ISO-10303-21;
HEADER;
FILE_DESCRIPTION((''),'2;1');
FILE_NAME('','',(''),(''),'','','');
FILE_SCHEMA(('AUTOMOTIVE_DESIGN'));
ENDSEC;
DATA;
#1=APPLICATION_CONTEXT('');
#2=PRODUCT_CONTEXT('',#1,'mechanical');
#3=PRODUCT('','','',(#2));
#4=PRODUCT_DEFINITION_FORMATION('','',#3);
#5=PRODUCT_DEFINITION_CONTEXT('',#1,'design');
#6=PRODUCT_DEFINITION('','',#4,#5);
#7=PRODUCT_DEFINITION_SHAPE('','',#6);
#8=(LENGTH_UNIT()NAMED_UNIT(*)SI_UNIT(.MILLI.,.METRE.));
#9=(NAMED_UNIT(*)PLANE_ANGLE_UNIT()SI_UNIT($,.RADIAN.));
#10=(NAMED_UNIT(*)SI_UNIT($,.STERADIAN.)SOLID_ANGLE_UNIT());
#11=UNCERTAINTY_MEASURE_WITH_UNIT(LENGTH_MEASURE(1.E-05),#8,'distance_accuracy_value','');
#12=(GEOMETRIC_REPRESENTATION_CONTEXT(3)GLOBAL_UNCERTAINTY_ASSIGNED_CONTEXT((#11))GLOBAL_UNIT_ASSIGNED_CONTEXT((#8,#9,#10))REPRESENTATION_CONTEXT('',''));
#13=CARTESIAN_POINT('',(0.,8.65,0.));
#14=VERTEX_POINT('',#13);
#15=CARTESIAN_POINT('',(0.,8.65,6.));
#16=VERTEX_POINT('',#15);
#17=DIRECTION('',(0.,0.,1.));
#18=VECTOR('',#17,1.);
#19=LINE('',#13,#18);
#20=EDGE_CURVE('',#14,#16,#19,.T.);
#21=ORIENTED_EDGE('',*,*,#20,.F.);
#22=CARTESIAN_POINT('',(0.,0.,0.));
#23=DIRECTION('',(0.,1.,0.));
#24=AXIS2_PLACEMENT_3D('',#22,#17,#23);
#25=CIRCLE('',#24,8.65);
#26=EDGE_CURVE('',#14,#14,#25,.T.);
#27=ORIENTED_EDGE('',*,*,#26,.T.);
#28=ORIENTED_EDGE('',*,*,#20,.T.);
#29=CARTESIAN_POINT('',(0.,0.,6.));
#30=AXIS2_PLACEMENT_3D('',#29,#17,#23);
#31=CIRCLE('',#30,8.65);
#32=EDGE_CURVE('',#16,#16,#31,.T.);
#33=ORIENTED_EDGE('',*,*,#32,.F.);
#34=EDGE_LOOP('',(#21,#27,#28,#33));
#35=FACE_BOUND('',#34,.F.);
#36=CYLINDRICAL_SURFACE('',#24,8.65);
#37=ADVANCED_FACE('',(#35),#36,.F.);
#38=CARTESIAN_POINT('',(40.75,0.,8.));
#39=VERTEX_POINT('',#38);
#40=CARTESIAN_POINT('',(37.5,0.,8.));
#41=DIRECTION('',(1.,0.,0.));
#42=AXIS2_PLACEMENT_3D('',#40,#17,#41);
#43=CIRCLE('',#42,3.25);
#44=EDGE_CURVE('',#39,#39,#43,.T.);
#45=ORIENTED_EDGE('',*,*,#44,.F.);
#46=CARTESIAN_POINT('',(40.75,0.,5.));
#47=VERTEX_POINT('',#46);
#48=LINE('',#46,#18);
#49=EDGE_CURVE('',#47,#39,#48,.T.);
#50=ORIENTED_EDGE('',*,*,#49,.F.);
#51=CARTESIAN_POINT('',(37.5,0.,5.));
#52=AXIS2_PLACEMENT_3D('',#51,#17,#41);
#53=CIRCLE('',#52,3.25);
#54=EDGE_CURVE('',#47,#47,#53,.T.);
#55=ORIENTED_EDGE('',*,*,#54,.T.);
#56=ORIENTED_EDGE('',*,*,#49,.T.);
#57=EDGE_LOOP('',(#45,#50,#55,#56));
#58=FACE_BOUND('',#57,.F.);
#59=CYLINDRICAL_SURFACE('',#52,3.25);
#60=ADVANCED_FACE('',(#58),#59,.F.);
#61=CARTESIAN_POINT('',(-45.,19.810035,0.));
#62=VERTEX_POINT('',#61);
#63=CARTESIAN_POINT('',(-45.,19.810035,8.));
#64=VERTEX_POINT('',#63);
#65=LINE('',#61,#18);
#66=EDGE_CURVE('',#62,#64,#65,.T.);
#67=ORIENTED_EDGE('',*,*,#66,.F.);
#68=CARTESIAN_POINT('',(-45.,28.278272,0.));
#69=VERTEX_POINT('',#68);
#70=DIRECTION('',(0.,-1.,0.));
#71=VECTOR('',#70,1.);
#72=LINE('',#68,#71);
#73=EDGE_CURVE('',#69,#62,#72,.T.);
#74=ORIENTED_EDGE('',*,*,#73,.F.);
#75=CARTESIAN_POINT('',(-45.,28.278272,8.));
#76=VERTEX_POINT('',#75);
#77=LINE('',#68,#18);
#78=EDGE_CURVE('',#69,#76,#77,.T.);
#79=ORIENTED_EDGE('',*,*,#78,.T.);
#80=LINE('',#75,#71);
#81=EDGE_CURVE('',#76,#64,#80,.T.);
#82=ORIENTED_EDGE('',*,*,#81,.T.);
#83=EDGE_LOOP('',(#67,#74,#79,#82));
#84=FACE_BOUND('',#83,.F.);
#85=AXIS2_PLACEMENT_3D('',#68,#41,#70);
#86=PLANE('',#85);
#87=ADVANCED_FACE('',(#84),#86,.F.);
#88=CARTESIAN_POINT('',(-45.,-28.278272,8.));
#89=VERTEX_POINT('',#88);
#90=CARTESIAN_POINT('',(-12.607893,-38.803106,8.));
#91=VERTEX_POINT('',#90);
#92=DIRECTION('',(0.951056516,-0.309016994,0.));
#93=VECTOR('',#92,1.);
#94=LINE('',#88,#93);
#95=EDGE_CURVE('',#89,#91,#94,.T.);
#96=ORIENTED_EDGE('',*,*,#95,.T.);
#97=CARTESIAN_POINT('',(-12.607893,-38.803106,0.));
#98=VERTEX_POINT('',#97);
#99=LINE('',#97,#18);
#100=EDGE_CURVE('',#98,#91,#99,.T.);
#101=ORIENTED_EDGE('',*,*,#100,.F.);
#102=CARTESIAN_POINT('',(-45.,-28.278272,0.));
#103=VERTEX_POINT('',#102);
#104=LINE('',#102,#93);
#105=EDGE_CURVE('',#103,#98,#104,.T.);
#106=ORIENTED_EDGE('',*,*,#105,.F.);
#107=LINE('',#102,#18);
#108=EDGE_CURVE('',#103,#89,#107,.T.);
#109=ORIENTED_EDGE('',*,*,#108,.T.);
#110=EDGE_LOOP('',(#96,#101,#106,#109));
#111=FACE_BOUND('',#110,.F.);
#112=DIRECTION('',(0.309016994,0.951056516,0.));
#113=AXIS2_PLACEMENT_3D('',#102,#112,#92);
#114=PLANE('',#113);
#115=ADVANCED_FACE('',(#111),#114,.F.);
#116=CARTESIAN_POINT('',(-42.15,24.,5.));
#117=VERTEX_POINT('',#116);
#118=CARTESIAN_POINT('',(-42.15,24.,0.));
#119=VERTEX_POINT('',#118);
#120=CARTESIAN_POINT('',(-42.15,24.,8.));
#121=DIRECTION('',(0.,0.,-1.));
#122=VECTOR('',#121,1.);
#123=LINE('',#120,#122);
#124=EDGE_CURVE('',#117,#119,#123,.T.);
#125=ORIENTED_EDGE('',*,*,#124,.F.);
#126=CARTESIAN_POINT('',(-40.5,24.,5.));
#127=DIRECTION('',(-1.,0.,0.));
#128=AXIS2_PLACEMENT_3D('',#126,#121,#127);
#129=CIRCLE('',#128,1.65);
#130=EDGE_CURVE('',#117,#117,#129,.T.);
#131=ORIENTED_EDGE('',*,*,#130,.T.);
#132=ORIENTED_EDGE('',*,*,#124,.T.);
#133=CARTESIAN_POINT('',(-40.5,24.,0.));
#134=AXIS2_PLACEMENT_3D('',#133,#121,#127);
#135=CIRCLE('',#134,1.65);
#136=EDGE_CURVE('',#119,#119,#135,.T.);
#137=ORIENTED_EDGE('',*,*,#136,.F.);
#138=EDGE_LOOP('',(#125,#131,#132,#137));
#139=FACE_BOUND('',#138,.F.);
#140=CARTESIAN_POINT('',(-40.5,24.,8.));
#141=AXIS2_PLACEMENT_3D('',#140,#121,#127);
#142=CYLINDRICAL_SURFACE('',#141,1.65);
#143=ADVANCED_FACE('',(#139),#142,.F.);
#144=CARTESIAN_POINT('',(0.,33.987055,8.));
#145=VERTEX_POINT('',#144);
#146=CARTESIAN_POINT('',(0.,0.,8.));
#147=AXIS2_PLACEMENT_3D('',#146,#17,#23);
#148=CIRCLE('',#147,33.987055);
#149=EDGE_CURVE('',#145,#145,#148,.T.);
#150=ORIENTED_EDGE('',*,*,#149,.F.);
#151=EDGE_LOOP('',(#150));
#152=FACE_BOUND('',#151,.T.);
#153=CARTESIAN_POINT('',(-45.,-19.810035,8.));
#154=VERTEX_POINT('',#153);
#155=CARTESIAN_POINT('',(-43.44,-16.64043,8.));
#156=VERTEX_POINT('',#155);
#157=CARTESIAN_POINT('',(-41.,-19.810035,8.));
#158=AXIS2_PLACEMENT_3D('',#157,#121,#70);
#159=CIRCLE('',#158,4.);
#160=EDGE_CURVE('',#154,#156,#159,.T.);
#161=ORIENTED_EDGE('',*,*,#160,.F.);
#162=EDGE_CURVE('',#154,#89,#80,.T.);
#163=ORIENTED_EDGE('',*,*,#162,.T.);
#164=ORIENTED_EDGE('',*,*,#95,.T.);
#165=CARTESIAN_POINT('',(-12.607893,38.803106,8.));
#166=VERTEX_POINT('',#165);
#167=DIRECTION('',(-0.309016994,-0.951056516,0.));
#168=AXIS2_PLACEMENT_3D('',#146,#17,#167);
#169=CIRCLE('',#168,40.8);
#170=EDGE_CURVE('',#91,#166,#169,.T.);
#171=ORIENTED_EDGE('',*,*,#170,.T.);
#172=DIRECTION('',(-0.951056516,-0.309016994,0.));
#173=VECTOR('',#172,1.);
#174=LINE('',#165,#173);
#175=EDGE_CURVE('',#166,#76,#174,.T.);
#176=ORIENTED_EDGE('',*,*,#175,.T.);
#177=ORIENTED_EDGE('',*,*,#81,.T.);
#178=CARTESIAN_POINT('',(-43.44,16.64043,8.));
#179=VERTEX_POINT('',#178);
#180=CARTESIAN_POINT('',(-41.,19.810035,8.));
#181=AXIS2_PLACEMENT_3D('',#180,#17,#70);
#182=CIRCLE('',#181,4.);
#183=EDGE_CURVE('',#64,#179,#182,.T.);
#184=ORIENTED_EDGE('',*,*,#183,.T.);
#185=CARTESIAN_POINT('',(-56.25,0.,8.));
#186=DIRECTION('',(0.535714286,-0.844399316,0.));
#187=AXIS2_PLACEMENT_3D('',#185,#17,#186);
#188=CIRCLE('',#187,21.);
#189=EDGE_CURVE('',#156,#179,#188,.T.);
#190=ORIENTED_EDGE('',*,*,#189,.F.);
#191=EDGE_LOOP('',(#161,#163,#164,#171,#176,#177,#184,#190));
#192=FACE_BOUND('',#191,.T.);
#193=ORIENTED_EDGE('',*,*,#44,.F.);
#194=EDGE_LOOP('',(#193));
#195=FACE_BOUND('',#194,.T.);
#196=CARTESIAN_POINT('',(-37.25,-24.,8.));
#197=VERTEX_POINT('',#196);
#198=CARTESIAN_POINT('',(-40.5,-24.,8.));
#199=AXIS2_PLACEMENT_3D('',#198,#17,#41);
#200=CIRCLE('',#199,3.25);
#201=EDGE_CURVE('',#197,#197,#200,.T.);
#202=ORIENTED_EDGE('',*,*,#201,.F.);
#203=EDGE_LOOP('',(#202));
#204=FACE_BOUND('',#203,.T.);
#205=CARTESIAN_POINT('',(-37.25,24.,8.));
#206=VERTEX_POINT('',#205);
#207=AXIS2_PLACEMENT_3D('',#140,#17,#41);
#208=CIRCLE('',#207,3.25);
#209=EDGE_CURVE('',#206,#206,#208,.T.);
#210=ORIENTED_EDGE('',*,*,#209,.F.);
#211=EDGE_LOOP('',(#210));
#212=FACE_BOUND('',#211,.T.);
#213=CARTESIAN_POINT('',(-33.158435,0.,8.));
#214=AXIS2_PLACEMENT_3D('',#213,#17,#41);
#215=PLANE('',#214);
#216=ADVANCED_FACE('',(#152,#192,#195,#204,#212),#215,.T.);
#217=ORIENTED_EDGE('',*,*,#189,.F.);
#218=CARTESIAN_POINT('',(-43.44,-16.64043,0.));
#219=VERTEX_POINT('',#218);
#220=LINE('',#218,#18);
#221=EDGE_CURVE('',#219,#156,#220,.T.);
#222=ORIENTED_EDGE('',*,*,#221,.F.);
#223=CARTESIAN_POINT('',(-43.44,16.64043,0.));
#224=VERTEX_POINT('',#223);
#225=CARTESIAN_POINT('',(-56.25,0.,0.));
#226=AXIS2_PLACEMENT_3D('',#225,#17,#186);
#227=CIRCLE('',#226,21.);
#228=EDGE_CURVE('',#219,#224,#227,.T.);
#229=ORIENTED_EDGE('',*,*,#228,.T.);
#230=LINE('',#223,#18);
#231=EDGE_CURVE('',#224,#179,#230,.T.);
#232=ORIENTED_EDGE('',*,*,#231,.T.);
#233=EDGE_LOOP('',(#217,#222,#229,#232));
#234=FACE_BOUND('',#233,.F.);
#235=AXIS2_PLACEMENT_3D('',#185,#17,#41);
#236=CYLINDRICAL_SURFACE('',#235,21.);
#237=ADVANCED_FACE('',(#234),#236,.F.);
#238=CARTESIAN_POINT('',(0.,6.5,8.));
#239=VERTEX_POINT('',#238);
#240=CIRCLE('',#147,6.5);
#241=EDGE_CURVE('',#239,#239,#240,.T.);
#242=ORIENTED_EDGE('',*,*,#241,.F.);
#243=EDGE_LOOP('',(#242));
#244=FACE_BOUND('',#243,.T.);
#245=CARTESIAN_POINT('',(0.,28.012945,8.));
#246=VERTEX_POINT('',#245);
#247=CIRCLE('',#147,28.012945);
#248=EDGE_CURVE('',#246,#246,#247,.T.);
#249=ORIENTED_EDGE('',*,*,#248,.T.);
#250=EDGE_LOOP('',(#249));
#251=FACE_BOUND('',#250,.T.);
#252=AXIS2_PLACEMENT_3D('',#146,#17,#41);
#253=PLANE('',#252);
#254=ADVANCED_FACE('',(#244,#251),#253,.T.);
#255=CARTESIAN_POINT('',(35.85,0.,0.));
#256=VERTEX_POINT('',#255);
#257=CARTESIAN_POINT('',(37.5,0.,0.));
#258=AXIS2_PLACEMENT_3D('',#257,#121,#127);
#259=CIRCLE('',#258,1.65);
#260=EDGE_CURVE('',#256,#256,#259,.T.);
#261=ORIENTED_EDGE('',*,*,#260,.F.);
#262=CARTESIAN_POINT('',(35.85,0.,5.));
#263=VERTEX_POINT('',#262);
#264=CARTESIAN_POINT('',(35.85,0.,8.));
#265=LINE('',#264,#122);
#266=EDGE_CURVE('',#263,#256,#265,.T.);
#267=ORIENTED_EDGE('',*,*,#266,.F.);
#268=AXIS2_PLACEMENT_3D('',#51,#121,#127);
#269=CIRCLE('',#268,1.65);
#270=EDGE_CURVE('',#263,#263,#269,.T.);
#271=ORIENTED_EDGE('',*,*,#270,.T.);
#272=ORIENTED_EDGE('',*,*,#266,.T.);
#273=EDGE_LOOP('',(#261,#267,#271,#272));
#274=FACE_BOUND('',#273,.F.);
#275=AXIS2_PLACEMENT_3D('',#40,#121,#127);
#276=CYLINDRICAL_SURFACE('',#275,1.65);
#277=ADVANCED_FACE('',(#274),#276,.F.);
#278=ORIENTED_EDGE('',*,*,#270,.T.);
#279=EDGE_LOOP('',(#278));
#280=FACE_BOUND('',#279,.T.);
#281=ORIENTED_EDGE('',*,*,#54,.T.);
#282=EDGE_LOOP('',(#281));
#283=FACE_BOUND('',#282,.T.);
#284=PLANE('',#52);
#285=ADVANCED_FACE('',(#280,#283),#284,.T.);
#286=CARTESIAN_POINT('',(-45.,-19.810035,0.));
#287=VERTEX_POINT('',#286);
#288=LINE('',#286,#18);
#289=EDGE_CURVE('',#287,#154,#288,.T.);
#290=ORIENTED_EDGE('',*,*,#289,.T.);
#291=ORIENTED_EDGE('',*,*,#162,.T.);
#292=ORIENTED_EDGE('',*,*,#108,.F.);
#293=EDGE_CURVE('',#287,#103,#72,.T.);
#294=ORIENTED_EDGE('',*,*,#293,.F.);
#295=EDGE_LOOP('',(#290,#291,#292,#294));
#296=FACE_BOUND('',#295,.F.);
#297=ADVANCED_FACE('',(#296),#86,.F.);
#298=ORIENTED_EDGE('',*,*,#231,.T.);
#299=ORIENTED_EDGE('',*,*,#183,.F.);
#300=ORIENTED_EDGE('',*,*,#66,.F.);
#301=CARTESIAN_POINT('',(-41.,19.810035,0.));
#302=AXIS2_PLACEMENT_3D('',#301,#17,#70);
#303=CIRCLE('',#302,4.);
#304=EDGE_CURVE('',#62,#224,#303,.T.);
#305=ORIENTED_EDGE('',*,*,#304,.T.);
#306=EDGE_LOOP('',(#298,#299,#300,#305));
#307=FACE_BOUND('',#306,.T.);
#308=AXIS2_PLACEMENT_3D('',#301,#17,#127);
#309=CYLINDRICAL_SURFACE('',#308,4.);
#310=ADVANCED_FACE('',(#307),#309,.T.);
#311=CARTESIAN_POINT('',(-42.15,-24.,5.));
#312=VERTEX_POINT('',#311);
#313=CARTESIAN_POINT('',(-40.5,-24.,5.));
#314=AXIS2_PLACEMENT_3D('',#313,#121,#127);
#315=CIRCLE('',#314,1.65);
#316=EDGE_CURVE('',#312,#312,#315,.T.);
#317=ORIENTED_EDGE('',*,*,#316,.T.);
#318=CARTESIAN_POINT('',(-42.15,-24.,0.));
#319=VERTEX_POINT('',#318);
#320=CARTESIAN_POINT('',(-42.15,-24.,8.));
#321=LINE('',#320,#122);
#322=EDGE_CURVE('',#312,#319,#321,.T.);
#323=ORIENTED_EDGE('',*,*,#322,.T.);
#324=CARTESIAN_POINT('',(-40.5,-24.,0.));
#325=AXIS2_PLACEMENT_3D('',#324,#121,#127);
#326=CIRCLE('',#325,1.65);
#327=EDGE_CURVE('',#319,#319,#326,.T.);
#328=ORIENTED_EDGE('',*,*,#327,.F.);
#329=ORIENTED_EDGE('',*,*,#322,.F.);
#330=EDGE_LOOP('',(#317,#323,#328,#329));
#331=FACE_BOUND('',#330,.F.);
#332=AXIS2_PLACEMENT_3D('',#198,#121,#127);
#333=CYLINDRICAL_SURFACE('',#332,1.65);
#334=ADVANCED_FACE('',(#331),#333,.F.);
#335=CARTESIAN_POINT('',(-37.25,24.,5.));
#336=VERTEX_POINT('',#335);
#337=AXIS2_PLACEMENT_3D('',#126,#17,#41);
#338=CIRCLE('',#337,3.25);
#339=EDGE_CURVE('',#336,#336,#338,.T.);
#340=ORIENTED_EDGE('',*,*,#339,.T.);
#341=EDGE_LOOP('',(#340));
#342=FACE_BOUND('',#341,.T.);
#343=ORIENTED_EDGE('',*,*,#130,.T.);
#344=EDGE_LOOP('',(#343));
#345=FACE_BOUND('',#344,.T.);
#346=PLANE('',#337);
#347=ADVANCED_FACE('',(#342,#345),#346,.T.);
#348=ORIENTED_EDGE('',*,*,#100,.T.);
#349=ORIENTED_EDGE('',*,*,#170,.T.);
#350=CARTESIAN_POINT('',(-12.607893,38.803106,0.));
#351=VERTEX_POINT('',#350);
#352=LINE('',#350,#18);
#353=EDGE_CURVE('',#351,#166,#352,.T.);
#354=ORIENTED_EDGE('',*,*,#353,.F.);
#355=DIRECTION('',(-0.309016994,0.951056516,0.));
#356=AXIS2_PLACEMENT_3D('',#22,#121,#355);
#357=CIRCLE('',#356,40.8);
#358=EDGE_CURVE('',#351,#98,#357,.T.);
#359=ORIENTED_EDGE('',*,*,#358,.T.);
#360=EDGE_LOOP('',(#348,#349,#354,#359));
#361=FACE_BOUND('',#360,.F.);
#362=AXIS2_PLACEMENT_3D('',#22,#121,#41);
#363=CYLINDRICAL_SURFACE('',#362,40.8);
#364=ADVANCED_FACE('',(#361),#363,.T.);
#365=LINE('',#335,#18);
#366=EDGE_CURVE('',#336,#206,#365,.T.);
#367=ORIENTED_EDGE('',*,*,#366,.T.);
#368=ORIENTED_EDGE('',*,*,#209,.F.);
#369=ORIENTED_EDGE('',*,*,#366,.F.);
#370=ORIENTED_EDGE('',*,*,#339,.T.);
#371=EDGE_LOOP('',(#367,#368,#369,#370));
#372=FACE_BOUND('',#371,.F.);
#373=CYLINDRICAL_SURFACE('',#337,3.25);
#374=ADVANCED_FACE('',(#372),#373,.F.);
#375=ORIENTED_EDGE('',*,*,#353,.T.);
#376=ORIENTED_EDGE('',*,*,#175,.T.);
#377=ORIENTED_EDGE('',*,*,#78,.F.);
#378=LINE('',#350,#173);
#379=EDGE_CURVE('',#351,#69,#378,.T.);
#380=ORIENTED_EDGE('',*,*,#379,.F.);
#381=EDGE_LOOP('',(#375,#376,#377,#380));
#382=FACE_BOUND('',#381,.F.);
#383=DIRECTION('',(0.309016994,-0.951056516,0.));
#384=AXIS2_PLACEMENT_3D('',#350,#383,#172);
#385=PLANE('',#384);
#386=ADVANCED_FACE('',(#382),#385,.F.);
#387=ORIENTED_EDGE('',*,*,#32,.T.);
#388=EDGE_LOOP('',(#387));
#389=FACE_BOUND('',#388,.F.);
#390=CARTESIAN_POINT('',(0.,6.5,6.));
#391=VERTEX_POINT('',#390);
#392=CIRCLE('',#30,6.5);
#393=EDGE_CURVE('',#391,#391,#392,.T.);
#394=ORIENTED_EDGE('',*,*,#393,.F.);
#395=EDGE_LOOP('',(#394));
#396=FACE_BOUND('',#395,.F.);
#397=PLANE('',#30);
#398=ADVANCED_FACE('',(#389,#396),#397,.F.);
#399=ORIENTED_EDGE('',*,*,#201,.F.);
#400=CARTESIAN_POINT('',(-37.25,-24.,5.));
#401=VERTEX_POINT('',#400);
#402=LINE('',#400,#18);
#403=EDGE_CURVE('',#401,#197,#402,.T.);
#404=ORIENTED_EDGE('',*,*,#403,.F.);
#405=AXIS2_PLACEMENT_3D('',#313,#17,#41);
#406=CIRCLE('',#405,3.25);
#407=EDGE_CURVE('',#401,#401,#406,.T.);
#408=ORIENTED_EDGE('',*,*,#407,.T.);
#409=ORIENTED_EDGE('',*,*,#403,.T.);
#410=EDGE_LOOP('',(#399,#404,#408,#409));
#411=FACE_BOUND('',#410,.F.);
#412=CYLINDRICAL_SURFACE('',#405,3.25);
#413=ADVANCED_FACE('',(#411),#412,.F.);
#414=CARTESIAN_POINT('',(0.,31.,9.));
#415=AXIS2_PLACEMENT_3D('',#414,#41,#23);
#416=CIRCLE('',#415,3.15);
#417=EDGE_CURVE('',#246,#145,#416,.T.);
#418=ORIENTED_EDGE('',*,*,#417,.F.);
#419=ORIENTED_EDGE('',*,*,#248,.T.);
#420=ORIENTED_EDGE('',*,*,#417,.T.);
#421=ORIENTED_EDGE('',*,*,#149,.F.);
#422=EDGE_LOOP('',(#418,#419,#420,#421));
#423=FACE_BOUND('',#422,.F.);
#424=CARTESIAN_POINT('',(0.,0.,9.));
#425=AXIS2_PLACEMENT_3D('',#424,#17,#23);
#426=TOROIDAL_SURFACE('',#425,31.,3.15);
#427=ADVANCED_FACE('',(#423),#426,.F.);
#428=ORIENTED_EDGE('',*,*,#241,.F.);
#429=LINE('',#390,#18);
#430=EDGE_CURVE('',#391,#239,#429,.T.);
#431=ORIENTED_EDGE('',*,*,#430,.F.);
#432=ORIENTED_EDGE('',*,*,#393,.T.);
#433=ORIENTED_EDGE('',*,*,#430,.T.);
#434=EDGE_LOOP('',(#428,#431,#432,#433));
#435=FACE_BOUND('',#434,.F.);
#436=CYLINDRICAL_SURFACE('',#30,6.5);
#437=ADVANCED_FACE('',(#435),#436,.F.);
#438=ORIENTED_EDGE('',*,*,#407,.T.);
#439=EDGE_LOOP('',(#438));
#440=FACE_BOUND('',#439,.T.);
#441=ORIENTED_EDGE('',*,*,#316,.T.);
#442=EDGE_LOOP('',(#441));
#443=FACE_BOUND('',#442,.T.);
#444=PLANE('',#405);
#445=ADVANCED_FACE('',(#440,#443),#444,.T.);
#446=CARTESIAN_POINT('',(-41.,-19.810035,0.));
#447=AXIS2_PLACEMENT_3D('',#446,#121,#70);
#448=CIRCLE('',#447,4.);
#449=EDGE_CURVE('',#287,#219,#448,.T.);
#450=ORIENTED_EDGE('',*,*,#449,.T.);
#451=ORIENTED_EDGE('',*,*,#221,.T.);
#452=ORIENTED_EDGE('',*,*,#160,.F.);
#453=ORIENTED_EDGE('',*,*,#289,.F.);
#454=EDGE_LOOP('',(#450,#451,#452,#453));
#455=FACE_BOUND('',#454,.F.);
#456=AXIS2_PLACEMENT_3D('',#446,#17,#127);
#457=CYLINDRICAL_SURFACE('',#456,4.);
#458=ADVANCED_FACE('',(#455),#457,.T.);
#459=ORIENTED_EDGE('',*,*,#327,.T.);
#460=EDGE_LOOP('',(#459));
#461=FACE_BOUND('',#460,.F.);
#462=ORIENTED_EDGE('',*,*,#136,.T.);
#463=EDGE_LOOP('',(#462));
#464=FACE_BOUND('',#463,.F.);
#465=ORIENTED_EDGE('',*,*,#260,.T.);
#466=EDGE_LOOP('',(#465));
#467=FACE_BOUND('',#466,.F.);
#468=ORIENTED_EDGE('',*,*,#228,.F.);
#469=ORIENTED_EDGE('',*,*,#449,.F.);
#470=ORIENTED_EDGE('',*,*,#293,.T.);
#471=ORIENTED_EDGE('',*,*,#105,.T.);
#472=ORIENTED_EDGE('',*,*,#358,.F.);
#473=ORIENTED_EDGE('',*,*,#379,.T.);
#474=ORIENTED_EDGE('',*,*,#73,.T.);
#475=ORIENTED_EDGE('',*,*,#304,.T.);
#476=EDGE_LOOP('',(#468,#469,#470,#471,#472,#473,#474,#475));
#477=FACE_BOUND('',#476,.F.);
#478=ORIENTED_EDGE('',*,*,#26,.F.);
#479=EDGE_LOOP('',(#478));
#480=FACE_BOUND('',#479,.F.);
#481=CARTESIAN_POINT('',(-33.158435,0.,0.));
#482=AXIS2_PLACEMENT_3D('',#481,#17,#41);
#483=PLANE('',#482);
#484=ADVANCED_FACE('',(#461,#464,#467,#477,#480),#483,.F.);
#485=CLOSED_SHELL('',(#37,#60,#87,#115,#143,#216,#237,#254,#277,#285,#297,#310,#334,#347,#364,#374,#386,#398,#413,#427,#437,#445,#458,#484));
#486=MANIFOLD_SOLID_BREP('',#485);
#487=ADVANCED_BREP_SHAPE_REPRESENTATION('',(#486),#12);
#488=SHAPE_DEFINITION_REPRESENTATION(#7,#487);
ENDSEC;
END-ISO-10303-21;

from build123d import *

# Parameters (mm, degrees)
F0_R            = 40.8
F1_DEPTH        = 8
F4_R            = 3.15
F8_DEPTH        = 8
F9_R            = 21
F10_DEPTH       = 8.001
F11_R           = 4
F13_D           = 3.3
F13_CBORE_D     = 6.5
F13_CBORE_DEPTH = 3


with BuildPart() as f1:
    # F0 (on Top) → F1 (new body)
    with BuildSketch(Plane.XY):
        Circle(F0_R)
    extrude(amount=F1_DEPTH)

    # F2 (on Right) → F3 (revolve, cut)
    with BuildSketch(Plane.YZ):
        Polygon((0, 8), (0, 0), (8.65, 0), (8.65, 6), (6.5, 6), (6.5, 8), align=None)
    revolve(axis=Axis((0, 0, 10.7360328796), (0, 0, 1)), mode=Mode.SUBTRACT)

    # F4 (on Right) → F5 (revolve, cut)
    with BuildSketch(Plane.YZ):
        with Locations((31, 9)):
            Circle(F4_R)
    revolve(axis=Axis((0, 0, 6.3867427816), (0, 0, 1)), mode=Mode.SUBTRACT)

    # F7 (on Top) → F8 (join, through all)
    with BuildSketch(Plane.XY):
        with BuildLine():
            Line((-45, 28.2782724184), (-45, -28.2782724184))
            Line((-45, -28.2782724184), (-12.6078933705, -38.8031058648))
            ThreePointArc((-12.6078933705, -38.8031058648), (-26.2059585661, -31.2711965814), (-36, -19.2))
            Line((-36, -19.2), (-36, 19.2))
            ThreePointArc((-36, 19.2), (-26.2059585661, 31.2711965814), (-12.6078933705, 38.8031058648))
            Line((-12.6078933705, 38.8031058648), (-45, 28.2782724184))
        make_face()
    extrude(amount=F8_DEPTH)

    # F9 (on face) → F10 (cut, through all)
    with BuildSketch(Plane.XY.offset(8)):
        with Locations((-56.25, 0)):
            Circle(F9_R)
    extrude(amount=-F10_DEPTH, mode=Mode.SUBTRACT)

    # F11
    f11_edges = [f1.edges().sort_by_distance(p)[0] for p in [
        (-45, 17.732386, 4),
        (-45, -17.732386, 4),
    ]]
    fillet(f11_edges, radius=F11_R)

    # F13 (through all)
    with Locations(Plane.XY.offset(8)):
        with Locations((-40.5, 24), (-40.5, -24), (37.5, 0)):
            CounterBoreHole(F13_D / 2, F13_CBORE_D / 2, F13_CBORE_DEPTH)


solid = f1.part
